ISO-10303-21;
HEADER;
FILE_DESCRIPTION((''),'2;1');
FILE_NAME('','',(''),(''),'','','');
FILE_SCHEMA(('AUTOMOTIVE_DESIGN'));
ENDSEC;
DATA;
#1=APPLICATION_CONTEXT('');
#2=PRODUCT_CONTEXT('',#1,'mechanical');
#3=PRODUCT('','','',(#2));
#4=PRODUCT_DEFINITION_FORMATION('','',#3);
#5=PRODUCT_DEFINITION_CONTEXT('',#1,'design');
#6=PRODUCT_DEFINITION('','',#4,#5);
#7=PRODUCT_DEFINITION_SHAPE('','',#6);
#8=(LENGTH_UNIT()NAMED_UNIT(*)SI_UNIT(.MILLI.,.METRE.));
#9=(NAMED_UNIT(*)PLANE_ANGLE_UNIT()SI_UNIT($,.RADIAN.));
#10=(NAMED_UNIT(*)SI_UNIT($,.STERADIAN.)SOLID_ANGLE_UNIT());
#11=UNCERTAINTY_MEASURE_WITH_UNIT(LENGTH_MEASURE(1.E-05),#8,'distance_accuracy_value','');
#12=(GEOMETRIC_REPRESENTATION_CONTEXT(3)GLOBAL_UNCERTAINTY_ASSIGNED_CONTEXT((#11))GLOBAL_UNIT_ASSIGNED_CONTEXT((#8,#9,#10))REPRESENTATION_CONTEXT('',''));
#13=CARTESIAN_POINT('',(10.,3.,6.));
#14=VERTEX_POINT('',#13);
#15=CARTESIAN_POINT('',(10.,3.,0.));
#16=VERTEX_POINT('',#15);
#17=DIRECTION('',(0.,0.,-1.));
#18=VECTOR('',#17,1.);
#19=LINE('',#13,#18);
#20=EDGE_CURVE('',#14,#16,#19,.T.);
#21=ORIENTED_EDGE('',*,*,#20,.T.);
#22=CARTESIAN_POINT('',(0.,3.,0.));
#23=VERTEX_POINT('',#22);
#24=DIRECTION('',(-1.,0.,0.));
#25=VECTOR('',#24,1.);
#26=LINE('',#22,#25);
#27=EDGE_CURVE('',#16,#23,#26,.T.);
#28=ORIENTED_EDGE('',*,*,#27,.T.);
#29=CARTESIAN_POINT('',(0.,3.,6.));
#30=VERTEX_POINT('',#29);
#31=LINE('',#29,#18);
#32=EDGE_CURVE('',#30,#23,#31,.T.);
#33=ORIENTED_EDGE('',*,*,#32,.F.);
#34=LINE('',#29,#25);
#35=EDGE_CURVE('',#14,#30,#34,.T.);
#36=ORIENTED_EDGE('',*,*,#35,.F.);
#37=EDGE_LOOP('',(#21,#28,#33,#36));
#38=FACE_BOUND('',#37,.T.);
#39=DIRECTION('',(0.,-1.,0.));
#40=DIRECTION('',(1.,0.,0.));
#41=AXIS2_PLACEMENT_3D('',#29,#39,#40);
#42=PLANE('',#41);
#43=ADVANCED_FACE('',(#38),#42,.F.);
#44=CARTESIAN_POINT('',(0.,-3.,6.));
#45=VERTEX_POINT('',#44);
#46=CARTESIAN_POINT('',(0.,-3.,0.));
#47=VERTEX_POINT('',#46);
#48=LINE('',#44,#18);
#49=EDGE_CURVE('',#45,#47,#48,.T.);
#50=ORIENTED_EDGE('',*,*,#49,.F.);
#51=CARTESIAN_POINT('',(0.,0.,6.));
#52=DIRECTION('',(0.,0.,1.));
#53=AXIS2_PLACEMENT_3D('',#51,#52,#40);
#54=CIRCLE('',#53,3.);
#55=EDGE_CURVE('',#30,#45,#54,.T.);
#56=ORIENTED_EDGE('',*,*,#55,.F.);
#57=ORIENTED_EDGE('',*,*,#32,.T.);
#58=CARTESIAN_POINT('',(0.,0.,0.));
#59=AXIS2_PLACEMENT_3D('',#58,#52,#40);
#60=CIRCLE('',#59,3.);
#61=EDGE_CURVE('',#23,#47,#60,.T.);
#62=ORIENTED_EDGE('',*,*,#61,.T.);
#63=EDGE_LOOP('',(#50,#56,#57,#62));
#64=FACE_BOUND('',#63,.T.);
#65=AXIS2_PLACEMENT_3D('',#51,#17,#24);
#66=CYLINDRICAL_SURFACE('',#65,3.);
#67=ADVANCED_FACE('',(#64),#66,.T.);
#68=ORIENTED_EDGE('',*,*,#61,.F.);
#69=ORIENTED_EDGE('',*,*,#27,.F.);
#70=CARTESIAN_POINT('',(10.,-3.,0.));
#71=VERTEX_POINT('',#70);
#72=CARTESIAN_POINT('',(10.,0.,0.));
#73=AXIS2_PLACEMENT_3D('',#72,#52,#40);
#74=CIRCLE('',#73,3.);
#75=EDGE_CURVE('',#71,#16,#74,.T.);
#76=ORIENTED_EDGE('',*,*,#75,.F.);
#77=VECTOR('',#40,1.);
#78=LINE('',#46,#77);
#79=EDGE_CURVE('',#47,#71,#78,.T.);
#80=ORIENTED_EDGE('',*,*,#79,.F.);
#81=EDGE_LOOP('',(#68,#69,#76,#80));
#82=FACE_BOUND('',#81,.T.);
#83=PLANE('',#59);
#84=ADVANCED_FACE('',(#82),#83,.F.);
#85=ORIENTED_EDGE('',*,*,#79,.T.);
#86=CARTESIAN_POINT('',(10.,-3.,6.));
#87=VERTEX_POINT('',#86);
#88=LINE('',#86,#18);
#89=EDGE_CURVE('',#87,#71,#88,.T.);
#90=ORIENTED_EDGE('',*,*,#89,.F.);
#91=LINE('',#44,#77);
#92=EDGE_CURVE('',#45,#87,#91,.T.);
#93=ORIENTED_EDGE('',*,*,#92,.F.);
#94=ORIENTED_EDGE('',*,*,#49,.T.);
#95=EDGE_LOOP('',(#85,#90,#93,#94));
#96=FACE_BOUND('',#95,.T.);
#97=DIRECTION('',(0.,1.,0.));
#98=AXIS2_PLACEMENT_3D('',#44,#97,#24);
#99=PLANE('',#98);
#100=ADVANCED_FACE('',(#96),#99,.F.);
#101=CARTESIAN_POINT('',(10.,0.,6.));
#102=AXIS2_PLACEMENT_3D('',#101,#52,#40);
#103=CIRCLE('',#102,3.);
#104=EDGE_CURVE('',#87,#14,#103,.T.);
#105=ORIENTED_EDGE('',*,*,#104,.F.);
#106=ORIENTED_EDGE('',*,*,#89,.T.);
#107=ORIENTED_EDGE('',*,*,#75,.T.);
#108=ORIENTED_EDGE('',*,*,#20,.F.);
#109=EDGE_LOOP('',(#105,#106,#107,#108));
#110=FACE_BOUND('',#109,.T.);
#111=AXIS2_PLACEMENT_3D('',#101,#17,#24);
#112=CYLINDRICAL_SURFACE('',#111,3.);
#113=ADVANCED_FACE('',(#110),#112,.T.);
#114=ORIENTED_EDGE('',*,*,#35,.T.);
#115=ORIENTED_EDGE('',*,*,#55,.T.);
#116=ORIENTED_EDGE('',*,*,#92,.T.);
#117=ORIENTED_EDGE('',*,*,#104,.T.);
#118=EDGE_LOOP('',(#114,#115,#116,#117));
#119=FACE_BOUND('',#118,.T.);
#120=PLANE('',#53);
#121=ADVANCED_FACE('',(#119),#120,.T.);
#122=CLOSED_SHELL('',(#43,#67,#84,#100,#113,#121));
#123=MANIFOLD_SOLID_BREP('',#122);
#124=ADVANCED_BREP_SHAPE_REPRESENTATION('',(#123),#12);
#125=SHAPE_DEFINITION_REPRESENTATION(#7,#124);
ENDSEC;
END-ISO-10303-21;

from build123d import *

# Parameters (mm, degrees)
BOSS_EXTRUDE1_DEPTH = 6


with BuildPart() as part:
    # Sketch1 → Boss-Extrude1 (new body)
    with BuildSketch(Plane.XY):
        with BuildLine():
            Line((0, 3), (10, 3))
            ThreePointArc((10, 3), (13, 0), (10, -3))
            Line((10, -3), (0, -3))
            ThreePointArc((0, -3), (-3, 0), (0, 3))
        make_face()
    extrude(amount=BOSS_EXTRUDE1_DEPTH)


solid = part.part
